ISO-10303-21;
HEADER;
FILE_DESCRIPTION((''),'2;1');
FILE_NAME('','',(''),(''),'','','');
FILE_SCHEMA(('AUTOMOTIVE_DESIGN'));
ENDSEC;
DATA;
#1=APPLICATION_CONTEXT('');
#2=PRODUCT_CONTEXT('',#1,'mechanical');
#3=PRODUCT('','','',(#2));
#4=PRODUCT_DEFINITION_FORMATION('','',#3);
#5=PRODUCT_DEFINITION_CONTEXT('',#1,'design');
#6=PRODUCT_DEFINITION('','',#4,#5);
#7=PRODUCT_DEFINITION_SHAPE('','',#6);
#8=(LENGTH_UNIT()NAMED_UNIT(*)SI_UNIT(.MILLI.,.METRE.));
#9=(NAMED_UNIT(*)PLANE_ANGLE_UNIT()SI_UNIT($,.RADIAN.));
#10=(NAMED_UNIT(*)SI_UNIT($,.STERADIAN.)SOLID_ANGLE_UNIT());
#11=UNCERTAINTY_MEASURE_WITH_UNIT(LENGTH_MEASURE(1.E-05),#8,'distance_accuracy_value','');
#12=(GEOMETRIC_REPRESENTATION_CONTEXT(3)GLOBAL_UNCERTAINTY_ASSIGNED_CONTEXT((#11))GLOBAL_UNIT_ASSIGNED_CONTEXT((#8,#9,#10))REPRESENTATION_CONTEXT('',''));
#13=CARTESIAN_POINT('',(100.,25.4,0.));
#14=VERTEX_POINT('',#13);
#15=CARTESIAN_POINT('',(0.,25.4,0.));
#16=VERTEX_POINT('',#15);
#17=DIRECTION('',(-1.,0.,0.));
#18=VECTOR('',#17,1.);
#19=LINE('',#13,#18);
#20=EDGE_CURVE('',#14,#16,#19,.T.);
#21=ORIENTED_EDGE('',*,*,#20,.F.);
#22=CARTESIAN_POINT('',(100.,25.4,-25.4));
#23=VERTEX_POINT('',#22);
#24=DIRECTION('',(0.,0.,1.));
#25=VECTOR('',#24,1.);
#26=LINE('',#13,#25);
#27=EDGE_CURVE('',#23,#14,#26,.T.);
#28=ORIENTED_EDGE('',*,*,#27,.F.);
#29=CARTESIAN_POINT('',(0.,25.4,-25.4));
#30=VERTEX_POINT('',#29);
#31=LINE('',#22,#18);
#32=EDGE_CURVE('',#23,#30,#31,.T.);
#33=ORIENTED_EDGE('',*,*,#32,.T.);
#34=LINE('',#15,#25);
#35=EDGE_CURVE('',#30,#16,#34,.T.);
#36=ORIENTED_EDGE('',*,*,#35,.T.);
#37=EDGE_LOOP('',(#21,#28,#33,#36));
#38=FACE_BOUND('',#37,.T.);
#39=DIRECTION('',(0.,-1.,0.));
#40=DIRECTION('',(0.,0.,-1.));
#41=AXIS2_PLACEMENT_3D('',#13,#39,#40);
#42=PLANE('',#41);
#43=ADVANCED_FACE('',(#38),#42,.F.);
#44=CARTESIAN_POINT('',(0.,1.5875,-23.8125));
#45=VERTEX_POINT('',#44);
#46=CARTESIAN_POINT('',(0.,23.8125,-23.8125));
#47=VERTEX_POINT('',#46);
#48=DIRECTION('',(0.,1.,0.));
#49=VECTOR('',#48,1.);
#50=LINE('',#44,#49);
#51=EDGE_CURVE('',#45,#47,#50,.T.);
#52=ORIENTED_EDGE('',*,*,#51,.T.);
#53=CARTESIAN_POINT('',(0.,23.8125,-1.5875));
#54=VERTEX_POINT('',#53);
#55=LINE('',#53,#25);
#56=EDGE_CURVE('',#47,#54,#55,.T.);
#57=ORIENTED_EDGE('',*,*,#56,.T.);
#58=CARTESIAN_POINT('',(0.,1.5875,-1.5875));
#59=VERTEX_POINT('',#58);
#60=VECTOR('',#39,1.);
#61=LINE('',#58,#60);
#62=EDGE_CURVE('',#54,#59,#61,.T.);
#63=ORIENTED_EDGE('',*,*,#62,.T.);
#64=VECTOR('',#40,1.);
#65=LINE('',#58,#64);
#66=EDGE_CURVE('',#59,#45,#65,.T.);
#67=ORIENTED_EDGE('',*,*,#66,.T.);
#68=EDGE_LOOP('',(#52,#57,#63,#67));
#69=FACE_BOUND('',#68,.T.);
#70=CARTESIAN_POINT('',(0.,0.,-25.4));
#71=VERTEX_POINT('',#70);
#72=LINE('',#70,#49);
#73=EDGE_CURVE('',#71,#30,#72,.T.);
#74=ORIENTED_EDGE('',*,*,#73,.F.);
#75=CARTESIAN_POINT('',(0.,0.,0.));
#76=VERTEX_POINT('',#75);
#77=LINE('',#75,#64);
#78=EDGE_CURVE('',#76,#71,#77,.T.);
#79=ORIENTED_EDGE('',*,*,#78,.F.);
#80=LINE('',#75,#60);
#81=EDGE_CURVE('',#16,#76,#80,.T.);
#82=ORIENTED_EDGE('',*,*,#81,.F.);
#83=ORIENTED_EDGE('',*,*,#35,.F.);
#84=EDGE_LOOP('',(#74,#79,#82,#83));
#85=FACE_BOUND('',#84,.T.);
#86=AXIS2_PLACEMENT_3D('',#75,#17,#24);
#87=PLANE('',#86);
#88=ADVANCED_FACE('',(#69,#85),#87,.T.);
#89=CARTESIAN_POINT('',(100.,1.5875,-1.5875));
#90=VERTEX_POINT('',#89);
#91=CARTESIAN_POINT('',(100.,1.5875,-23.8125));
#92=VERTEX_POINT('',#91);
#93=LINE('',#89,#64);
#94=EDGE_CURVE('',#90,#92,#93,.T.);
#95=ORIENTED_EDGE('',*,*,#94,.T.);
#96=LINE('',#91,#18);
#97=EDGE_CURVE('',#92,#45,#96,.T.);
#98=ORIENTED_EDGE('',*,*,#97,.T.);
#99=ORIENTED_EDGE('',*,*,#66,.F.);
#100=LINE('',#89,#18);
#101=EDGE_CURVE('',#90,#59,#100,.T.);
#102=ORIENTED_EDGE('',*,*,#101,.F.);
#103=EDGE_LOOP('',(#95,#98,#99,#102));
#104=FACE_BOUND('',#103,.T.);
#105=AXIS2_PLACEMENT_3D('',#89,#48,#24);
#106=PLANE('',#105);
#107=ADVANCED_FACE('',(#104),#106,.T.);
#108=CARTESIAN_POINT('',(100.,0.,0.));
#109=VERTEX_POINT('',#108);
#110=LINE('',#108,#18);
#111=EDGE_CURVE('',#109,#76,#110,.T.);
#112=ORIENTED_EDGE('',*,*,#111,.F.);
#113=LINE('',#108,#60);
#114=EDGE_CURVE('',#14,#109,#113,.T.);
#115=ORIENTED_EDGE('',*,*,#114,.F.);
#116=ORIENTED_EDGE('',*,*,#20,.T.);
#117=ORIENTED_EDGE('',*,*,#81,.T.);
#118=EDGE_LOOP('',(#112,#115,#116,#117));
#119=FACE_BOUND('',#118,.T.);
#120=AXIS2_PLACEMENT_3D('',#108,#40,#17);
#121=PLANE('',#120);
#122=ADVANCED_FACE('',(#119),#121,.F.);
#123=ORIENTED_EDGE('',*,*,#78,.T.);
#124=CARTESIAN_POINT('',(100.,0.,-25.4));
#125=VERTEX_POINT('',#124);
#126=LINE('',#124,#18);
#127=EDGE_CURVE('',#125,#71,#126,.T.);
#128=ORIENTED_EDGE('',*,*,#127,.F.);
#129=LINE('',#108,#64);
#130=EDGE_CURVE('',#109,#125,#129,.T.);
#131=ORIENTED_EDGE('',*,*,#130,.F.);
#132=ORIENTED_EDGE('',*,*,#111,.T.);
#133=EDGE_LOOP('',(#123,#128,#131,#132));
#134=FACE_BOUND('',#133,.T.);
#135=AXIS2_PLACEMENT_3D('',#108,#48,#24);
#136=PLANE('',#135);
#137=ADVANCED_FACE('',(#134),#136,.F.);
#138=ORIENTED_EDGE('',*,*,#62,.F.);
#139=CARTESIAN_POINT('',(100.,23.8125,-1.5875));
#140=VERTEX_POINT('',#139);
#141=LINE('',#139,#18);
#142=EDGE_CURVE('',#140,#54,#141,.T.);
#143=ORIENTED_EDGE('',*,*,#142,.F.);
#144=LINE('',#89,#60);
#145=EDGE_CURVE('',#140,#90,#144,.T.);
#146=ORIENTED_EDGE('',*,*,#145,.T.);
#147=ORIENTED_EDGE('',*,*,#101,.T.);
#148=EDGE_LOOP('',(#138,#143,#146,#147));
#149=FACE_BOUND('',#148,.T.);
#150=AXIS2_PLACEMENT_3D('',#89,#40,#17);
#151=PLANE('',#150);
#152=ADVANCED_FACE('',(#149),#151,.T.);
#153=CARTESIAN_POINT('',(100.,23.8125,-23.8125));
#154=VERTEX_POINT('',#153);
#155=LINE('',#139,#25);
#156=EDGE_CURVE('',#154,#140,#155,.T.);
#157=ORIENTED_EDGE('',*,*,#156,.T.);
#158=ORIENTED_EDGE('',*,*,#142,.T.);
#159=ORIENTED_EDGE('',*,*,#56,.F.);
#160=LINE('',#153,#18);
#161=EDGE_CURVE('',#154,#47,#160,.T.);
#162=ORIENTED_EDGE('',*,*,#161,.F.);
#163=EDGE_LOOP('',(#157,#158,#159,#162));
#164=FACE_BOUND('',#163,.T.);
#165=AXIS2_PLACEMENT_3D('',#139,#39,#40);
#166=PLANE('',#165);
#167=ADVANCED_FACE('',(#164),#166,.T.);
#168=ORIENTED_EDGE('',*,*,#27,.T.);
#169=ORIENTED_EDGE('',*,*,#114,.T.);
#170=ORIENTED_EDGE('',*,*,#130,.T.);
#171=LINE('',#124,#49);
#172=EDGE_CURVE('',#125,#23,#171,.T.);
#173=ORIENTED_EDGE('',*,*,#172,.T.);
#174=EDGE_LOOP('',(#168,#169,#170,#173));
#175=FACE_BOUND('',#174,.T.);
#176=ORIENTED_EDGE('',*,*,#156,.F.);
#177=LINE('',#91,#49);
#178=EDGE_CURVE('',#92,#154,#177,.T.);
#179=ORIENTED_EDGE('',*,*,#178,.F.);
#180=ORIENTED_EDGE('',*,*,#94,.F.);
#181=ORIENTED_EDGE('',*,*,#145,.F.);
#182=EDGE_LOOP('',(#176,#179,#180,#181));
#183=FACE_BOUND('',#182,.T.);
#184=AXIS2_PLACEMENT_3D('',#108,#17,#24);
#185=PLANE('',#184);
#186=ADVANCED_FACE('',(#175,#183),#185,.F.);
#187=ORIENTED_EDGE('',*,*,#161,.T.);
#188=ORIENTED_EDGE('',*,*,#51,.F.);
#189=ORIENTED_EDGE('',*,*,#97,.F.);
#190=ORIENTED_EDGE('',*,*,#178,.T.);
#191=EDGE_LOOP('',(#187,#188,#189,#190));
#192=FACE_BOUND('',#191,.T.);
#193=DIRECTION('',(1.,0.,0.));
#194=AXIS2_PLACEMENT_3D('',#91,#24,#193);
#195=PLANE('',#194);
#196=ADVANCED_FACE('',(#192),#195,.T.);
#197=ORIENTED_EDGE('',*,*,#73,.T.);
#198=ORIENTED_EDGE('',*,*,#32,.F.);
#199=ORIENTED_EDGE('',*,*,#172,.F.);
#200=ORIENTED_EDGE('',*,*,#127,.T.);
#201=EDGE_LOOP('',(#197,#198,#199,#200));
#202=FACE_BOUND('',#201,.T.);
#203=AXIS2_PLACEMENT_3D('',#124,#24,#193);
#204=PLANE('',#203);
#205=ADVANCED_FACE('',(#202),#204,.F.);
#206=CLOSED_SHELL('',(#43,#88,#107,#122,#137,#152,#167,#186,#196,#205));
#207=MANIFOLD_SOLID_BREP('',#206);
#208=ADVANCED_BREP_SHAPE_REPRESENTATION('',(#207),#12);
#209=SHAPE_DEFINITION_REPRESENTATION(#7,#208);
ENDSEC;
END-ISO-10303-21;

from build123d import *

# Parameters (mm, degrees)
SKETCH1_W           = 25.4
SKETCH1_H           = 25.4
SKETCH1_W_2         = 22.225
SKETCH1_H_2         = 22.225
BOSS_EXTRUDE1_DEPTH = 100


with BuildPart() as part:
    # Sketch1 → Boss-Extrude1 (new body)
    with BuildSketch(Plane(origin=(0, 0, 0), x_dir=(0, 0, -1), z_dir=(1, 0, 0))):
        with Locations((12.7, 12.7)):
            Rectangle(SKETCH1_W, SKETCH1_H)
        with Locations((12.7, 12.7)):
            Rectangle(SKETCH1_W_2, SKETCH1_H_2, mode=Mode.SUBTRACT)
    extrude(amount=BOSS_EXTRUDE1_DEPTH)


solid = part.part
